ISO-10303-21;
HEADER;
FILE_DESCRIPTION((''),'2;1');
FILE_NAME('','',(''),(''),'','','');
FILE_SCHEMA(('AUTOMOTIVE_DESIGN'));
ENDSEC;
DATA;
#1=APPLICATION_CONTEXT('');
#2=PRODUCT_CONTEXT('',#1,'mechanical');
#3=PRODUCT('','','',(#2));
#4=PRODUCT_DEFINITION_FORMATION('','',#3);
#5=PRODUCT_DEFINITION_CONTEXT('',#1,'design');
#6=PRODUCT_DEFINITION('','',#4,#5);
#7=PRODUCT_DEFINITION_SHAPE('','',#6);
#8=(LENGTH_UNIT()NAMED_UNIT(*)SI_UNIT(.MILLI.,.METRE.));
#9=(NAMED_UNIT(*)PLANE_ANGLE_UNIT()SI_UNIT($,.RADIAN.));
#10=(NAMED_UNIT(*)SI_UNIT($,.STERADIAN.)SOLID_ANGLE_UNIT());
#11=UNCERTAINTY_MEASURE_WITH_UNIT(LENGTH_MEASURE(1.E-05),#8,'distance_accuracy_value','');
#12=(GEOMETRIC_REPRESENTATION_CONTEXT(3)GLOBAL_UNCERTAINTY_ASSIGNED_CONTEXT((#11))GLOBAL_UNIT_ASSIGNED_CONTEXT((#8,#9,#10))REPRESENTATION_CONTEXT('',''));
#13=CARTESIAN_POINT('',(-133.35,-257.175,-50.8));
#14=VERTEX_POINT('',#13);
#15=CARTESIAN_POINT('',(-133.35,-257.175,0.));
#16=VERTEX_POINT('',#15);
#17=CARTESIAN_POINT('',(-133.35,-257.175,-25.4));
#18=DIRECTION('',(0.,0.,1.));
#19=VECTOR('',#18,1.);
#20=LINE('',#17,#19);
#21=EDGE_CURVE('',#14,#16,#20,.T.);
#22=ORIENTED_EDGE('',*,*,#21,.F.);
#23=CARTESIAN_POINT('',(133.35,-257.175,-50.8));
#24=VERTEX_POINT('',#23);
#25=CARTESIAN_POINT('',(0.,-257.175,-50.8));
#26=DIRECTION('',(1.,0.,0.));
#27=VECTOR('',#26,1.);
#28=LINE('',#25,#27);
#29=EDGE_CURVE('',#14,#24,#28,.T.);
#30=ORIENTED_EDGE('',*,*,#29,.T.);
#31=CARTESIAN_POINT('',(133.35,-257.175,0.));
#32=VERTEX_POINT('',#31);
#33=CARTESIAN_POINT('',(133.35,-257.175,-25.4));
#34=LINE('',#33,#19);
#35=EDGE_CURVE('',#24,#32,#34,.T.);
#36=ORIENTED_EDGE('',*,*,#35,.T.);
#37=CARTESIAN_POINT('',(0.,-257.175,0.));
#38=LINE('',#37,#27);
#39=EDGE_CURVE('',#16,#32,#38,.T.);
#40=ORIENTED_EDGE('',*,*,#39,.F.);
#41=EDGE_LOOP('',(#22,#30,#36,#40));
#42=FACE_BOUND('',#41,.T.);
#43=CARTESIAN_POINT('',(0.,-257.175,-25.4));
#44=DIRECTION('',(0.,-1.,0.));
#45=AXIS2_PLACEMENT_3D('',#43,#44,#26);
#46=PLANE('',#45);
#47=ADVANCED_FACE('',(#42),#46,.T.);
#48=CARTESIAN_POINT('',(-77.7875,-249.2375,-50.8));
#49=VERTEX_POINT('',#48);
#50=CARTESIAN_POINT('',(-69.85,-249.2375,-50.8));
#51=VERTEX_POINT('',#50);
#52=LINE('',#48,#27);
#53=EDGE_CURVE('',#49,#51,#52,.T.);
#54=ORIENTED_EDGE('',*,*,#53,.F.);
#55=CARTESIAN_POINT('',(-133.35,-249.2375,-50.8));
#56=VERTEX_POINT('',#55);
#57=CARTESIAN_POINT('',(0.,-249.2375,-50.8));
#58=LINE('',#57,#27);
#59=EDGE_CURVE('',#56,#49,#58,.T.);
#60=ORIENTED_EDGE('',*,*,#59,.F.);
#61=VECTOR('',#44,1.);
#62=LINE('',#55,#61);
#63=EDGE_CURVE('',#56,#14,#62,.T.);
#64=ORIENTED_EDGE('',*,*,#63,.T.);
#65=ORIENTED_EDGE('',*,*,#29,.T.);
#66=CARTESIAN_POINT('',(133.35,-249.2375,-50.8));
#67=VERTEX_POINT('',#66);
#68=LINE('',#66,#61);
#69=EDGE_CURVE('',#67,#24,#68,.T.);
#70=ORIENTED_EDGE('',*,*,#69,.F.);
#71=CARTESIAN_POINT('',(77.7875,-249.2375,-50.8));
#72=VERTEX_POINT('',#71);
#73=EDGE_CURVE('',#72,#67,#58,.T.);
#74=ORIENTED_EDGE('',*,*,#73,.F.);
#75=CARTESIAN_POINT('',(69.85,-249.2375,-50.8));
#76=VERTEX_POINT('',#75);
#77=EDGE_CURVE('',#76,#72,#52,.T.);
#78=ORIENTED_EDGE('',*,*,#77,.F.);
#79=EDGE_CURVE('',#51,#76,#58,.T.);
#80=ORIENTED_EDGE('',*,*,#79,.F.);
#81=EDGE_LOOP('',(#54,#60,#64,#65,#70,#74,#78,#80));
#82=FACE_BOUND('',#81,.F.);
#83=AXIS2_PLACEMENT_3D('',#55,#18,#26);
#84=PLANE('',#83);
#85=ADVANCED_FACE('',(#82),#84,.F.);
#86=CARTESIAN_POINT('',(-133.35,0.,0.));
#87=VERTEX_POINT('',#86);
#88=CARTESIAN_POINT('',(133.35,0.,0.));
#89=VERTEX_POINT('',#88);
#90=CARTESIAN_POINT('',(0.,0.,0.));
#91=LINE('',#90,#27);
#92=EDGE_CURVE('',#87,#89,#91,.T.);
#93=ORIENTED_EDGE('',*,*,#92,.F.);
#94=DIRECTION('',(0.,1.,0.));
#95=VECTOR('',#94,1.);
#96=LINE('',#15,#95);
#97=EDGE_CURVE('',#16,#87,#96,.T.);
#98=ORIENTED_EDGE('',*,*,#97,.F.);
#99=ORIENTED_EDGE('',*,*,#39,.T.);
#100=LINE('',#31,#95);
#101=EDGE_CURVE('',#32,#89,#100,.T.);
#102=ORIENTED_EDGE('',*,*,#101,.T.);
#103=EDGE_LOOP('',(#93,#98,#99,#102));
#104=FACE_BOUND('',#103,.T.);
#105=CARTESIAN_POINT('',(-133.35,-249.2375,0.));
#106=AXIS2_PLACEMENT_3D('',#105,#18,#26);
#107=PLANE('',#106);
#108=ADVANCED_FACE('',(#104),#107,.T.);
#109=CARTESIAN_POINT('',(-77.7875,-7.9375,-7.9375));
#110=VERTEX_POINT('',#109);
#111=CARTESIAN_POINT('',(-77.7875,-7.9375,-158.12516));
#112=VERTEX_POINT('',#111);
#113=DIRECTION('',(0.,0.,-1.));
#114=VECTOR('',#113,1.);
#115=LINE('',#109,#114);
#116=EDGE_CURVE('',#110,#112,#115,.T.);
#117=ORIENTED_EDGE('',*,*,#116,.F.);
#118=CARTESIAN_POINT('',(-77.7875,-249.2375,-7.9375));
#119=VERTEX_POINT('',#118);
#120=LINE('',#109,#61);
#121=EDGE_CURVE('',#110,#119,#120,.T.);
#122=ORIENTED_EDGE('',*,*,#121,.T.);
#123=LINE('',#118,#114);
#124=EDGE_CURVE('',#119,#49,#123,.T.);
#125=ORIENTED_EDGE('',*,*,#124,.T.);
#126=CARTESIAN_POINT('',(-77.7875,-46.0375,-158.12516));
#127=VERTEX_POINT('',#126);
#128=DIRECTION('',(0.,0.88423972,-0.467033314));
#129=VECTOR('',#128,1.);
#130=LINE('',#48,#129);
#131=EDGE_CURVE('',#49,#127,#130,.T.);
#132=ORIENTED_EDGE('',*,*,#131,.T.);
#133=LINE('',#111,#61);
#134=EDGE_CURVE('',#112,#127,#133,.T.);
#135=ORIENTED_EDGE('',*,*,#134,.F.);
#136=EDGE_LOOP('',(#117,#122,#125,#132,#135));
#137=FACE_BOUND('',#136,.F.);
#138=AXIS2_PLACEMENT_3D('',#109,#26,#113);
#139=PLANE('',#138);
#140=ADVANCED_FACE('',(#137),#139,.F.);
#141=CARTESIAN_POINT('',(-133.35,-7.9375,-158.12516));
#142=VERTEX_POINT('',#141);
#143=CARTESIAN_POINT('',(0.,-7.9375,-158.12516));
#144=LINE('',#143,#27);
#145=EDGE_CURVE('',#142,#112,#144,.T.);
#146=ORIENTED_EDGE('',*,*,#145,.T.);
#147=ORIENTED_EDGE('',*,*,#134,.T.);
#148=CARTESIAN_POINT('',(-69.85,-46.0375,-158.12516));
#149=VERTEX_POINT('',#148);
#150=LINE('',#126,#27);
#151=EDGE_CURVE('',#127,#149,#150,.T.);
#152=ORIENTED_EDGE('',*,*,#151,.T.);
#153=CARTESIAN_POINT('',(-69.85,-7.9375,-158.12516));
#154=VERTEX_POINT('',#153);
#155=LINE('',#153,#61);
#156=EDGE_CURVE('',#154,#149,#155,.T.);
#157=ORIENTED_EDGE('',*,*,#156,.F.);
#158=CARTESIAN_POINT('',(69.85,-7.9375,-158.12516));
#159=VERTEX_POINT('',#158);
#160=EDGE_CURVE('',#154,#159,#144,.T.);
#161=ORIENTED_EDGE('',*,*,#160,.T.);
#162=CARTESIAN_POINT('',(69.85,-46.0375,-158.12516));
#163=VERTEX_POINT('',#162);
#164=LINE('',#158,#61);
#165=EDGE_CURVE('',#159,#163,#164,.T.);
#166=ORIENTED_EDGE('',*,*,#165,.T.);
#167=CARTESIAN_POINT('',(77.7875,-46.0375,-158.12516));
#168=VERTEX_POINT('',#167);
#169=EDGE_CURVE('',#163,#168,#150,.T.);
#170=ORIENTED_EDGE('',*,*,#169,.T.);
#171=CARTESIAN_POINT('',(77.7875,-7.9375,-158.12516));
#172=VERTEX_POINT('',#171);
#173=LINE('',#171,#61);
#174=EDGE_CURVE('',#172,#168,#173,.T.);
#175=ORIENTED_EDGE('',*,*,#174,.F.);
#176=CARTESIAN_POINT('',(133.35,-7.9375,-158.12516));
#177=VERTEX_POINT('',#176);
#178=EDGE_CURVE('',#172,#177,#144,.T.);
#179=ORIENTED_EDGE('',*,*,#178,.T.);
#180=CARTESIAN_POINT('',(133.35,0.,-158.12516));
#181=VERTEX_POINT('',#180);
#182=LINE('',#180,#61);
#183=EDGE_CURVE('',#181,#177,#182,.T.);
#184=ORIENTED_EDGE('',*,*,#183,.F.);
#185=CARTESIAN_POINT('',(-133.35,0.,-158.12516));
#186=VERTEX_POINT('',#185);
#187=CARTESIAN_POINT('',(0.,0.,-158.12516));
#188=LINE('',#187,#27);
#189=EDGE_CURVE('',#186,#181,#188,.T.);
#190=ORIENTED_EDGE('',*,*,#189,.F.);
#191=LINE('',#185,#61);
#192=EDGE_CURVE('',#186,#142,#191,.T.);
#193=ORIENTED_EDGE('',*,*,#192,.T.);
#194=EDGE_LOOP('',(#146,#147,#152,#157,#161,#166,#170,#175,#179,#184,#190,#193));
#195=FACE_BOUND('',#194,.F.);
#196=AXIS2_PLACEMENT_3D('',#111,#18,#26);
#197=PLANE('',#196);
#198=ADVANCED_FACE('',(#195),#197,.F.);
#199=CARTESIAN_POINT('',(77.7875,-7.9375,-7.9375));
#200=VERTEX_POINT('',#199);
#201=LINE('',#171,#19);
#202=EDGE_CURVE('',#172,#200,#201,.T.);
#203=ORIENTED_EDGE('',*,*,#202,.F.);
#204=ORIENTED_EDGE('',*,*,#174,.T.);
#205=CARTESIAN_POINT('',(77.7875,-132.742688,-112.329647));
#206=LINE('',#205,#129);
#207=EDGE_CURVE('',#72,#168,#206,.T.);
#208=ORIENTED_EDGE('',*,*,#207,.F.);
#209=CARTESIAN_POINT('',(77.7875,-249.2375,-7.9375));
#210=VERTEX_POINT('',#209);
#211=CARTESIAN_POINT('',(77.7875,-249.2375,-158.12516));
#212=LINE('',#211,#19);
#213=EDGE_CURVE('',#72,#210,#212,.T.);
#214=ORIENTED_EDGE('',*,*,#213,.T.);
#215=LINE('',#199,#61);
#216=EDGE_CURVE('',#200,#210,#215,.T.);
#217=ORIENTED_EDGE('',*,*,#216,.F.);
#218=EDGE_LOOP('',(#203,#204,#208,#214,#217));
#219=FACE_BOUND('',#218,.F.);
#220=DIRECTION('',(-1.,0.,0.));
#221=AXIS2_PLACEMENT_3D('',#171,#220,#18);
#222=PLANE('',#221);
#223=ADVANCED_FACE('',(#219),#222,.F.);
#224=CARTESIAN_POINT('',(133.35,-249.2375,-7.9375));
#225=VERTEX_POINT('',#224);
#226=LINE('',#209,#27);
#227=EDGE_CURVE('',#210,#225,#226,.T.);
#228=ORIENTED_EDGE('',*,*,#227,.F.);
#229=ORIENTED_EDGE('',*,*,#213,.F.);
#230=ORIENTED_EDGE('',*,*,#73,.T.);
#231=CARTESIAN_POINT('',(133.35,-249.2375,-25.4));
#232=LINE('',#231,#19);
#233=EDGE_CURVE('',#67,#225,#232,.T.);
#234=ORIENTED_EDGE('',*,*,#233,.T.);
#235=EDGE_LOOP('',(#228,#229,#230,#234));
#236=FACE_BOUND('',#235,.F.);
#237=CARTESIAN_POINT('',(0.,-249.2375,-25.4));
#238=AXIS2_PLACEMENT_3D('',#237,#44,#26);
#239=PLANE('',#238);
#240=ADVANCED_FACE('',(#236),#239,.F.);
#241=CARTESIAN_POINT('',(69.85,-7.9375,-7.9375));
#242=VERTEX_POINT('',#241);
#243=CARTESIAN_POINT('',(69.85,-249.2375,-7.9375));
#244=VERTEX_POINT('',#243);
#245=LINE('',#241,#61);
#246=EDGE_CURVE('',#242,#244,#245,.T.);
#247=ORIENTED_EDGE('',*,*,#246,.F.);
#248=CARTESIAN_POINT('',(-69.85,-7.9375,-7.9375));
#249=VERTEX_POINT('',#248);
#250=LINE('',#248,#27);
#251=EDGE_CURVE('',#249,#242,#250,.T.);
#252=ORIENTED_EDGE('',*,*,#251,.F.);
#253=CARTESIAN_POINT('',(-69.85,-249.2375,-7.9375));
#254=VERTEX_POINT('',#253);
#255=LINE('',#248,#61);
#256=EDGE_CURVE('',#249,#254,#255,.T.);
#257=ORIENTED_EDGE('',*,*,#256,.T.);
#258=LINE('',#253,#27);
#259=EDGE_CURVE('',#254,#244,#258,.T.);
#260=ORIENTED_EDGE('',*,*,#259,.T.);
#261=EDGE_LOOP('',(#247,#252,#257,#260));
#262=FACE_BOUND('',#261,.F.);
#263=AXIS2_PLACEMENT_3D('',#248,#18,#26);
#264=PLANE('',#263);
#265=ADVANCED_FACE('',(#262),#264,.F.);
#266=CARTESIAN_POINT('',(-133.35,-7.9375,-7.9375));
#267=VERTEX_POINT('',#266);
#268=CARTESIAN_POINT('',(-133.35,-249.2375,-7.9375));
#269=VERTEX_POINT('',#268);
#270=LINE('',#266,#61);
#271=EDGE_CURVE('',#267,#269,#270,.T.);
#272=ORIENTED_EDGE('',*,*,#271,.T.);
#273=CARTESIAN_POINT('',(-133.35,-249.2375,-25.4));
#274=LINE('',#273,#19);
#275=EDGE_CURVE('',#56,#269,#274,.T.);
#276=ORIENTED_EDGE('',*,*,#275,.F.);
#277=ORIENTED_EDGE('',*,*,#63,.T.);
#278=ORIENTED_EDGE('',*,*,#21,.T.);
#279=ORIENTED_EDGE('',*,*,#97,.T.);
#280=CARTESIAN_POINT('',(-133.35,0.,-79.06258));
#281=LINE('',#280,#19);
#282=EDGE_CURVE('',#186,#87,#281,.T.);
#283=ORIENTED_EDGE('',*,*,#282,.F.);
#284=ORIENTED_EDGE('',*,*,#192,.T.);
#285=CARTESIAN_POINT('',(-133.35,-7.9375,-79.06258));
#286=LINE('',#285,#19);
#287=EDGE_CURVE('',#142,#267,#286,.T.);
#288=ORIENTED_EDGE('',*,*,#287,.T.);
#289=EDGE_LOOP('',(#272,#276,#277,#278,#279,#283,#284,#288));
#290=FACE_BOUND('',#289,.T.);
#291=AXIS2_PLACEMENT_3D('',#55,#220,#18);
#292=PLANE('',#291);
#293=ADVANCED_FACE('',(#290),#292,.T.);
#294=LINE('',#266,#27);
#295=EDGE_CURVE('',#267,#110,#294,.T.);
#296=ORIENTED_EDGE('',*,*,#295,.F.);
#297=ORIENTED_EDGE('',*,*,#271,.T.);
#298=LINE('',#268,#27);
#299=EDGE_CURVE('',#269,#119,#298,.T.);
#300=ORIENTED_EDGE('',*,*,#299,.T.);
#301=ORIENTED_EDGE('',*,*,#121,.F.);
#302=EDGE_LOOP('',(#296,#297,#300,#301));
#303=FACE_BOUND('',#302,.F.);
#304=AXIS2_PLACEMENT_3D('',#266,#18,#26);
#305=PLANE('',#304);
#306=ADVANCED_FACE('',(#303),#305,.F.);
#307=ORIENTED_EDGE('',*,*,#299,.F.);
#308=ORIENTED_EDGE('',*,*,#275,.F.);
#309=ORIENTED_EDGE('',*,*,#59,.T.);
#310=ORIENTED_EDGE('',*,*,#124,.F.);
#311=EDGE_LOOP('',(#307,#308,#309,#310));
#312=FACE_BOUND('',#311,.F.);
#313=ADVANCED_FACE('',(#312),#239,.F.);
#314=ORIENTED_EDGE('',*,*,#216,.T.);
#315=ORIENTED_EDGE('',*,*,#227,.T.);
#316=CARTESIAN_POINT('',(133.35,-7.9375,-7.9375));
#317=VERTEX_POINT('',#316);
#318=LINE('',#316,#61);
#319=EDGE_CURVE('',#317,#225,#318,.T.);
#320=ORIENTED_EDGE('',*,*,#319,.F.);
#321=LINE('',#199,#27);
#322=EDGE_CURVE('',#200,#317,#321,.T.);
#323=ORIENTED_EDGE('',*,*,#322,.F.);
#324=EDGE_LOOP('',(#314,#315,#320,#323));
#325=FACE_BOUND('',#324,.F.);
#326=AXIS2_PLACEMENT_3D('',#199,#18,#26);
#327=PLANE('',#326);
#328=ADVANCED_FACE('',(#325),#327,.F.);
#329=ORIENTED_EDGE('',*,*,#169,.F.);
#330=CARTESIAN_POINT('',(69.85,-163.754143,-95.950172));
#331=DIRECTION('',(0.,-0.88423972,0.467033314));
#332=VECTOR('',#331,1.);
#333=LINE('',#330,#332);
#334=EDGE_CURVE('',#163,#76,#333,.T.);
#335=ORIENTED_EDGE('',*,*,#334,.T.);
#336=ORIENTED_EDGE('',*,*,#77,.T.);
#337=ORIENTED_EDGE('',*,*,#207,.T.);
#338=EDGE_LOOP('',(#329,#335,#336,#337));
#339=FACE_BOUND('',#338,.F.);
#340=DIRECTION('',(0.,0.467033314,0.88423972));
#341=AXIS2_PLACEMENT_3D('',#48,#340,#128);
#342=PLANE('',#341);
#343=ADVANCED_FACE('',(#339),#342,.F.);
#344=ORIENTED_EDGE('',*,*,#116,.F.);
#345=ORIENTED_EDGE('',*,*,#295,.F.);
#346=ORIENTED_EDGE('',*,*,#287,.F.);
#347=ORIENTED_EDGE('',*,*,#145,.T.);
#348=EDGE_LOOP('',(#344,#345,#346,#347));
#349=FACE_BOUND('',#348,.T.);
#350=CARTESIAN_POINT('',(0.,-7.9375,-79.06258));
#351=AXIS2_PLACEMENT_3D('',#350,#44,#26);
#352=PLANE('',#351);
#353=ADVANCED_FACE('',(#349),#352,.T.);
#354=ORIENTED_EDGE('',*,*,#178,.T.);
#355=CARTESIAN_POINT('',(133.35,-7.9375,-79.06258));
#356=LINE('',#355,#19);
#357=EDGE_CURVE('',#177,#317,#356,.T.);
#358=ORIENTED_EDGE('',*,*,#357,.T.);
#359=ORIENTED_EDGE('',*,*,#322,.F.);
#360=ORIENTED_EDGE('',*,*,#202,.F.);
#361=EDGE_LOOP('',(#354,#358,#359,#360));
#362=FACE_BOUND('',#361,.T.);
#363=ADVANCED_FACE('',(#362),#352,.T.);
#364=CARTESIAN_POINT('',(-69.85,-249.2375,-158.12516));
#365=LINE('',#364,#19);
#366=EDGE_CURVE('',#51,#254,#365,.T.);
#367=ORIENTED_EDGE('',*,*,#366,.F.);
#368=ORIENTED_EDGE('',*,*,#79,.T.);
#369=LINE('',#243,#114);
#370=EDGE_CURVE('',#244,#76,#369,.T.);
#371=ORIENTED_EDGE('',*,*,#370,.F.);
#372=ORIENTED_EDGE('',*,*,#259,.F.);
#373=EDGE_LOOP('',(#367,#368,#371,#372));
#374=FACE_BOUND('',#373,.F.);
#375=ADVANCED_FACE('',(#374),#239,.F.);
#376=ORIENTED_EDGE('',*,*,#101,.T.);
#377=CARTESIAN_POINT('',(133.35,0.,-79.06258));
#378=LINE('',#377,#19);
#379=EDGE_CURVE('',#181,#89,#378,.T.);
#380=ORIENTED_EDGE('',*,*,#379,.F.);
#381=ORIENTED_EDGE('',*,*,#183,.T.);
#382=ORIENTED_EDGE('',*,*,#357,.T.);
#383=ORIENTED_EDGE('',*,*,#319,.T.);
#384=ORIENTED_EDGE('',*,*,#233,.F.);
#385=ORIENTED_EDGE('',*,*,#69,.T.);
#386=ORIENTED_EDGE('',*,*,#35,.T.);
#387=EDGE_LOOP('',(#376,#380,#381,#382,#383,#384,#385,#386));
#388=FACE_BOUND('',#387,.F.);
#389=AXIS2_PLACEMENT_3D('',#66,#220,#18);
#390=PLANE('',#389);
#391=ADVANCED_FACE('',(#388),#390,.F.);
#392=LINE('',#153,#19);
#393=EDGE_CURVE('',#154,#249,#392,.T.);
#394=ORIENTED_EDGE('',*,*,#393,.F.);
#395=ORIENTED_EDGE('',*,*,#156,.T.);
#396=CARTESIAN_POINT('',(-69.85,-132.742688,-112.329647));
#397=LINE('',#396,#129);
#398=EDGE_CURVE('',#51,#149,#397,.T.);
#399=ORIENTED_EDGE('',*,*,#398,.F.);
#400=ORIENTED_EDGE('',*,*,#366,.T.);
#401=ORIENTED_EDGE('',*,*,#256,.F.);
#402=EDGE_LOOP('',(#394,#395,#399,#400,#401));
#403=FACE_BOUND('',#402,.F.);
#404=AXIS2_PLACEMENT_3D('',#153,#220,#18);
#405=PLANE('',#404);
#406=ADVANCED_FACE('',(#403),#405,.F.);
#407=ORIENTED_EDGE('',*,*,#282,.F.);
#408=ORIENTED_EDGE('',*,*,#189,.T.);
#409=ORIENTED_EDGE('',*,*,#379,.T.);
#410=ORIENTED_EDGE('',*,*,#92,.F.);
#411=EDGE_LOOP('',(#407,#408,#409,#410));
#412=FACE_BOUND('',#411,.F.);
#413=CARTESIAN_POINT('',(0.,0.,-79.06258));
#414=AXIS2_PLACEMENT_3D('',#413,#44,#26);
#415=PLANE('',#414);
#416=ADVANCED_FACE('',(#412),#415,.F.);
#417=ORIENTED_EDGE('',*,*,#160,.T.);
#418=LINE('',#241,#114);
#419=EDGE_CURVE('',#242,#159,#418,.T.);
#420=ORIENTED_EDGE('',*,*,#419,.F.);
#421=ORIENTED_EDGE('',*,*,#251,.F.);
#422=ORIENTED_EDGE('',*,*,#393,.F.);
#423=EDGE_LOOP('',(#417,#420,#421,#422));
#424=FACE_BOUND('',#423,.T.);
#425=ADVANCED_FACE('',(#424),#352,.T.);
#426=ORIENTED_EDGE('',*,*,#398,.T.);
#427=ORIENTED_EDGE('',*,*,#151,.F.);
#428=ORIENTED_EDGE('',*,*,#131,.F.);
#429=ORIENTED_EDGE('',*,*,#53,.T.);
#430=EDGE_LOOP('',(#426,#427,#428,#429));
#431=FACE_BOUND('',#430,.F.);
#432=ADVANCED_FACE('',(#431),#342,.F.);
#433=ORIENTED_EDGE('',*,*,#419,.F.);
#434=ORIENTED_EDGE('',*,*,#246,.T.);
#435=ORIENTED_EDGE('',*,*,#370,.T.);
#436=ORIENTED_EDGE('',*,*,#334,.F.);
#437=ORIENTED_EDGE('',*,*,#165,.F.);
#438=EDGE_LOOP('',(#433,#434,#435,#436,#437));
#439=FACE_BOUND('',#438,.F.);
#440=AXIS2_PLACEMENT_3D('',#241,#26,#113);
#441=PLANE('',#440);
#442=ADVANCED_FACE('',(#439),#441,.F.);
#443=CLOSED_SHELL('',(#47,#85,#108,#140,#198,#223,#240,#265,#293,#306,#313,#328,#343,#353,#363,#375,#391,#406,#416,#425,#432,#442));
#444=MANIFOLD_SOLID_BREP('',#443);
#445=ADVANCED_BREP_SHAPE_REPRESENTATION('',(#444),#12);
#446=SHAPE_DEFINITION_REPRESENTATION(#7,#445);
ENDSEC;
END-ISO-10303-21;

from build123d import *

# Parameters (mm, degrees)
F0_W     = 266.7
F0_H     = 158.12516
F1_DEPTH = 7.9375
F4_DEPTH = 241.3
F6_DEPTH = 211.1385
F8_W     = 266.7
F8_H     = 50.8
F9_DEPTH = 7.9375


with BuildPart() as f1:
    # F0 (on Front) → F1 (new body)
    with BuildSketch(Plane.XZ):
        with Locations((0, -79.06258)):
            Rectangle(F0_W, F0_H)
    extrude(amount=F1_DEPTH)

    # F3 (on face) → F4 (join)
    with BuildSketch(Plane.XZ.offset(7.9375)):
        Polygon((133.35, 0), (-133.35, 0), (-133.35, -7.9375), (-77.7875, -7.9375), (-77.7875, -158.12516), (-69.85, -158.12516), (-69.85, -7.9375), (69.85, -7.9375), (69.85, -158.12516), (77.7875, -158.12516), (77.7875, -7.9375), (133.35, -7.9375), align=None)
    extrude(amount=F4_DEPTH)

    # F5 (on face) → F6 (cut, through all)
    with BuildSketch(Plane(origin=(-77.7875, 0, 0), x_dir=(0, -1, 0), z_dir=(-1, 0, 0))):
        Polygon((249.2375, -50.8), (46.0375, -158.12516), (249.2375, -158.12516), align=None)
    extrude(amount=-F6_DEPTH, mode=Mode.SUBTRACT)

    # F8 (on face) → F9 (join)
    with BuildSketch(Plane.XZ.offset(249.2375)):
        with Locations((0, -25.4)):
            Rectangle(F8_W, F8_H)
    extrude(amount=F9_DEPTH)


solid = f1.part
